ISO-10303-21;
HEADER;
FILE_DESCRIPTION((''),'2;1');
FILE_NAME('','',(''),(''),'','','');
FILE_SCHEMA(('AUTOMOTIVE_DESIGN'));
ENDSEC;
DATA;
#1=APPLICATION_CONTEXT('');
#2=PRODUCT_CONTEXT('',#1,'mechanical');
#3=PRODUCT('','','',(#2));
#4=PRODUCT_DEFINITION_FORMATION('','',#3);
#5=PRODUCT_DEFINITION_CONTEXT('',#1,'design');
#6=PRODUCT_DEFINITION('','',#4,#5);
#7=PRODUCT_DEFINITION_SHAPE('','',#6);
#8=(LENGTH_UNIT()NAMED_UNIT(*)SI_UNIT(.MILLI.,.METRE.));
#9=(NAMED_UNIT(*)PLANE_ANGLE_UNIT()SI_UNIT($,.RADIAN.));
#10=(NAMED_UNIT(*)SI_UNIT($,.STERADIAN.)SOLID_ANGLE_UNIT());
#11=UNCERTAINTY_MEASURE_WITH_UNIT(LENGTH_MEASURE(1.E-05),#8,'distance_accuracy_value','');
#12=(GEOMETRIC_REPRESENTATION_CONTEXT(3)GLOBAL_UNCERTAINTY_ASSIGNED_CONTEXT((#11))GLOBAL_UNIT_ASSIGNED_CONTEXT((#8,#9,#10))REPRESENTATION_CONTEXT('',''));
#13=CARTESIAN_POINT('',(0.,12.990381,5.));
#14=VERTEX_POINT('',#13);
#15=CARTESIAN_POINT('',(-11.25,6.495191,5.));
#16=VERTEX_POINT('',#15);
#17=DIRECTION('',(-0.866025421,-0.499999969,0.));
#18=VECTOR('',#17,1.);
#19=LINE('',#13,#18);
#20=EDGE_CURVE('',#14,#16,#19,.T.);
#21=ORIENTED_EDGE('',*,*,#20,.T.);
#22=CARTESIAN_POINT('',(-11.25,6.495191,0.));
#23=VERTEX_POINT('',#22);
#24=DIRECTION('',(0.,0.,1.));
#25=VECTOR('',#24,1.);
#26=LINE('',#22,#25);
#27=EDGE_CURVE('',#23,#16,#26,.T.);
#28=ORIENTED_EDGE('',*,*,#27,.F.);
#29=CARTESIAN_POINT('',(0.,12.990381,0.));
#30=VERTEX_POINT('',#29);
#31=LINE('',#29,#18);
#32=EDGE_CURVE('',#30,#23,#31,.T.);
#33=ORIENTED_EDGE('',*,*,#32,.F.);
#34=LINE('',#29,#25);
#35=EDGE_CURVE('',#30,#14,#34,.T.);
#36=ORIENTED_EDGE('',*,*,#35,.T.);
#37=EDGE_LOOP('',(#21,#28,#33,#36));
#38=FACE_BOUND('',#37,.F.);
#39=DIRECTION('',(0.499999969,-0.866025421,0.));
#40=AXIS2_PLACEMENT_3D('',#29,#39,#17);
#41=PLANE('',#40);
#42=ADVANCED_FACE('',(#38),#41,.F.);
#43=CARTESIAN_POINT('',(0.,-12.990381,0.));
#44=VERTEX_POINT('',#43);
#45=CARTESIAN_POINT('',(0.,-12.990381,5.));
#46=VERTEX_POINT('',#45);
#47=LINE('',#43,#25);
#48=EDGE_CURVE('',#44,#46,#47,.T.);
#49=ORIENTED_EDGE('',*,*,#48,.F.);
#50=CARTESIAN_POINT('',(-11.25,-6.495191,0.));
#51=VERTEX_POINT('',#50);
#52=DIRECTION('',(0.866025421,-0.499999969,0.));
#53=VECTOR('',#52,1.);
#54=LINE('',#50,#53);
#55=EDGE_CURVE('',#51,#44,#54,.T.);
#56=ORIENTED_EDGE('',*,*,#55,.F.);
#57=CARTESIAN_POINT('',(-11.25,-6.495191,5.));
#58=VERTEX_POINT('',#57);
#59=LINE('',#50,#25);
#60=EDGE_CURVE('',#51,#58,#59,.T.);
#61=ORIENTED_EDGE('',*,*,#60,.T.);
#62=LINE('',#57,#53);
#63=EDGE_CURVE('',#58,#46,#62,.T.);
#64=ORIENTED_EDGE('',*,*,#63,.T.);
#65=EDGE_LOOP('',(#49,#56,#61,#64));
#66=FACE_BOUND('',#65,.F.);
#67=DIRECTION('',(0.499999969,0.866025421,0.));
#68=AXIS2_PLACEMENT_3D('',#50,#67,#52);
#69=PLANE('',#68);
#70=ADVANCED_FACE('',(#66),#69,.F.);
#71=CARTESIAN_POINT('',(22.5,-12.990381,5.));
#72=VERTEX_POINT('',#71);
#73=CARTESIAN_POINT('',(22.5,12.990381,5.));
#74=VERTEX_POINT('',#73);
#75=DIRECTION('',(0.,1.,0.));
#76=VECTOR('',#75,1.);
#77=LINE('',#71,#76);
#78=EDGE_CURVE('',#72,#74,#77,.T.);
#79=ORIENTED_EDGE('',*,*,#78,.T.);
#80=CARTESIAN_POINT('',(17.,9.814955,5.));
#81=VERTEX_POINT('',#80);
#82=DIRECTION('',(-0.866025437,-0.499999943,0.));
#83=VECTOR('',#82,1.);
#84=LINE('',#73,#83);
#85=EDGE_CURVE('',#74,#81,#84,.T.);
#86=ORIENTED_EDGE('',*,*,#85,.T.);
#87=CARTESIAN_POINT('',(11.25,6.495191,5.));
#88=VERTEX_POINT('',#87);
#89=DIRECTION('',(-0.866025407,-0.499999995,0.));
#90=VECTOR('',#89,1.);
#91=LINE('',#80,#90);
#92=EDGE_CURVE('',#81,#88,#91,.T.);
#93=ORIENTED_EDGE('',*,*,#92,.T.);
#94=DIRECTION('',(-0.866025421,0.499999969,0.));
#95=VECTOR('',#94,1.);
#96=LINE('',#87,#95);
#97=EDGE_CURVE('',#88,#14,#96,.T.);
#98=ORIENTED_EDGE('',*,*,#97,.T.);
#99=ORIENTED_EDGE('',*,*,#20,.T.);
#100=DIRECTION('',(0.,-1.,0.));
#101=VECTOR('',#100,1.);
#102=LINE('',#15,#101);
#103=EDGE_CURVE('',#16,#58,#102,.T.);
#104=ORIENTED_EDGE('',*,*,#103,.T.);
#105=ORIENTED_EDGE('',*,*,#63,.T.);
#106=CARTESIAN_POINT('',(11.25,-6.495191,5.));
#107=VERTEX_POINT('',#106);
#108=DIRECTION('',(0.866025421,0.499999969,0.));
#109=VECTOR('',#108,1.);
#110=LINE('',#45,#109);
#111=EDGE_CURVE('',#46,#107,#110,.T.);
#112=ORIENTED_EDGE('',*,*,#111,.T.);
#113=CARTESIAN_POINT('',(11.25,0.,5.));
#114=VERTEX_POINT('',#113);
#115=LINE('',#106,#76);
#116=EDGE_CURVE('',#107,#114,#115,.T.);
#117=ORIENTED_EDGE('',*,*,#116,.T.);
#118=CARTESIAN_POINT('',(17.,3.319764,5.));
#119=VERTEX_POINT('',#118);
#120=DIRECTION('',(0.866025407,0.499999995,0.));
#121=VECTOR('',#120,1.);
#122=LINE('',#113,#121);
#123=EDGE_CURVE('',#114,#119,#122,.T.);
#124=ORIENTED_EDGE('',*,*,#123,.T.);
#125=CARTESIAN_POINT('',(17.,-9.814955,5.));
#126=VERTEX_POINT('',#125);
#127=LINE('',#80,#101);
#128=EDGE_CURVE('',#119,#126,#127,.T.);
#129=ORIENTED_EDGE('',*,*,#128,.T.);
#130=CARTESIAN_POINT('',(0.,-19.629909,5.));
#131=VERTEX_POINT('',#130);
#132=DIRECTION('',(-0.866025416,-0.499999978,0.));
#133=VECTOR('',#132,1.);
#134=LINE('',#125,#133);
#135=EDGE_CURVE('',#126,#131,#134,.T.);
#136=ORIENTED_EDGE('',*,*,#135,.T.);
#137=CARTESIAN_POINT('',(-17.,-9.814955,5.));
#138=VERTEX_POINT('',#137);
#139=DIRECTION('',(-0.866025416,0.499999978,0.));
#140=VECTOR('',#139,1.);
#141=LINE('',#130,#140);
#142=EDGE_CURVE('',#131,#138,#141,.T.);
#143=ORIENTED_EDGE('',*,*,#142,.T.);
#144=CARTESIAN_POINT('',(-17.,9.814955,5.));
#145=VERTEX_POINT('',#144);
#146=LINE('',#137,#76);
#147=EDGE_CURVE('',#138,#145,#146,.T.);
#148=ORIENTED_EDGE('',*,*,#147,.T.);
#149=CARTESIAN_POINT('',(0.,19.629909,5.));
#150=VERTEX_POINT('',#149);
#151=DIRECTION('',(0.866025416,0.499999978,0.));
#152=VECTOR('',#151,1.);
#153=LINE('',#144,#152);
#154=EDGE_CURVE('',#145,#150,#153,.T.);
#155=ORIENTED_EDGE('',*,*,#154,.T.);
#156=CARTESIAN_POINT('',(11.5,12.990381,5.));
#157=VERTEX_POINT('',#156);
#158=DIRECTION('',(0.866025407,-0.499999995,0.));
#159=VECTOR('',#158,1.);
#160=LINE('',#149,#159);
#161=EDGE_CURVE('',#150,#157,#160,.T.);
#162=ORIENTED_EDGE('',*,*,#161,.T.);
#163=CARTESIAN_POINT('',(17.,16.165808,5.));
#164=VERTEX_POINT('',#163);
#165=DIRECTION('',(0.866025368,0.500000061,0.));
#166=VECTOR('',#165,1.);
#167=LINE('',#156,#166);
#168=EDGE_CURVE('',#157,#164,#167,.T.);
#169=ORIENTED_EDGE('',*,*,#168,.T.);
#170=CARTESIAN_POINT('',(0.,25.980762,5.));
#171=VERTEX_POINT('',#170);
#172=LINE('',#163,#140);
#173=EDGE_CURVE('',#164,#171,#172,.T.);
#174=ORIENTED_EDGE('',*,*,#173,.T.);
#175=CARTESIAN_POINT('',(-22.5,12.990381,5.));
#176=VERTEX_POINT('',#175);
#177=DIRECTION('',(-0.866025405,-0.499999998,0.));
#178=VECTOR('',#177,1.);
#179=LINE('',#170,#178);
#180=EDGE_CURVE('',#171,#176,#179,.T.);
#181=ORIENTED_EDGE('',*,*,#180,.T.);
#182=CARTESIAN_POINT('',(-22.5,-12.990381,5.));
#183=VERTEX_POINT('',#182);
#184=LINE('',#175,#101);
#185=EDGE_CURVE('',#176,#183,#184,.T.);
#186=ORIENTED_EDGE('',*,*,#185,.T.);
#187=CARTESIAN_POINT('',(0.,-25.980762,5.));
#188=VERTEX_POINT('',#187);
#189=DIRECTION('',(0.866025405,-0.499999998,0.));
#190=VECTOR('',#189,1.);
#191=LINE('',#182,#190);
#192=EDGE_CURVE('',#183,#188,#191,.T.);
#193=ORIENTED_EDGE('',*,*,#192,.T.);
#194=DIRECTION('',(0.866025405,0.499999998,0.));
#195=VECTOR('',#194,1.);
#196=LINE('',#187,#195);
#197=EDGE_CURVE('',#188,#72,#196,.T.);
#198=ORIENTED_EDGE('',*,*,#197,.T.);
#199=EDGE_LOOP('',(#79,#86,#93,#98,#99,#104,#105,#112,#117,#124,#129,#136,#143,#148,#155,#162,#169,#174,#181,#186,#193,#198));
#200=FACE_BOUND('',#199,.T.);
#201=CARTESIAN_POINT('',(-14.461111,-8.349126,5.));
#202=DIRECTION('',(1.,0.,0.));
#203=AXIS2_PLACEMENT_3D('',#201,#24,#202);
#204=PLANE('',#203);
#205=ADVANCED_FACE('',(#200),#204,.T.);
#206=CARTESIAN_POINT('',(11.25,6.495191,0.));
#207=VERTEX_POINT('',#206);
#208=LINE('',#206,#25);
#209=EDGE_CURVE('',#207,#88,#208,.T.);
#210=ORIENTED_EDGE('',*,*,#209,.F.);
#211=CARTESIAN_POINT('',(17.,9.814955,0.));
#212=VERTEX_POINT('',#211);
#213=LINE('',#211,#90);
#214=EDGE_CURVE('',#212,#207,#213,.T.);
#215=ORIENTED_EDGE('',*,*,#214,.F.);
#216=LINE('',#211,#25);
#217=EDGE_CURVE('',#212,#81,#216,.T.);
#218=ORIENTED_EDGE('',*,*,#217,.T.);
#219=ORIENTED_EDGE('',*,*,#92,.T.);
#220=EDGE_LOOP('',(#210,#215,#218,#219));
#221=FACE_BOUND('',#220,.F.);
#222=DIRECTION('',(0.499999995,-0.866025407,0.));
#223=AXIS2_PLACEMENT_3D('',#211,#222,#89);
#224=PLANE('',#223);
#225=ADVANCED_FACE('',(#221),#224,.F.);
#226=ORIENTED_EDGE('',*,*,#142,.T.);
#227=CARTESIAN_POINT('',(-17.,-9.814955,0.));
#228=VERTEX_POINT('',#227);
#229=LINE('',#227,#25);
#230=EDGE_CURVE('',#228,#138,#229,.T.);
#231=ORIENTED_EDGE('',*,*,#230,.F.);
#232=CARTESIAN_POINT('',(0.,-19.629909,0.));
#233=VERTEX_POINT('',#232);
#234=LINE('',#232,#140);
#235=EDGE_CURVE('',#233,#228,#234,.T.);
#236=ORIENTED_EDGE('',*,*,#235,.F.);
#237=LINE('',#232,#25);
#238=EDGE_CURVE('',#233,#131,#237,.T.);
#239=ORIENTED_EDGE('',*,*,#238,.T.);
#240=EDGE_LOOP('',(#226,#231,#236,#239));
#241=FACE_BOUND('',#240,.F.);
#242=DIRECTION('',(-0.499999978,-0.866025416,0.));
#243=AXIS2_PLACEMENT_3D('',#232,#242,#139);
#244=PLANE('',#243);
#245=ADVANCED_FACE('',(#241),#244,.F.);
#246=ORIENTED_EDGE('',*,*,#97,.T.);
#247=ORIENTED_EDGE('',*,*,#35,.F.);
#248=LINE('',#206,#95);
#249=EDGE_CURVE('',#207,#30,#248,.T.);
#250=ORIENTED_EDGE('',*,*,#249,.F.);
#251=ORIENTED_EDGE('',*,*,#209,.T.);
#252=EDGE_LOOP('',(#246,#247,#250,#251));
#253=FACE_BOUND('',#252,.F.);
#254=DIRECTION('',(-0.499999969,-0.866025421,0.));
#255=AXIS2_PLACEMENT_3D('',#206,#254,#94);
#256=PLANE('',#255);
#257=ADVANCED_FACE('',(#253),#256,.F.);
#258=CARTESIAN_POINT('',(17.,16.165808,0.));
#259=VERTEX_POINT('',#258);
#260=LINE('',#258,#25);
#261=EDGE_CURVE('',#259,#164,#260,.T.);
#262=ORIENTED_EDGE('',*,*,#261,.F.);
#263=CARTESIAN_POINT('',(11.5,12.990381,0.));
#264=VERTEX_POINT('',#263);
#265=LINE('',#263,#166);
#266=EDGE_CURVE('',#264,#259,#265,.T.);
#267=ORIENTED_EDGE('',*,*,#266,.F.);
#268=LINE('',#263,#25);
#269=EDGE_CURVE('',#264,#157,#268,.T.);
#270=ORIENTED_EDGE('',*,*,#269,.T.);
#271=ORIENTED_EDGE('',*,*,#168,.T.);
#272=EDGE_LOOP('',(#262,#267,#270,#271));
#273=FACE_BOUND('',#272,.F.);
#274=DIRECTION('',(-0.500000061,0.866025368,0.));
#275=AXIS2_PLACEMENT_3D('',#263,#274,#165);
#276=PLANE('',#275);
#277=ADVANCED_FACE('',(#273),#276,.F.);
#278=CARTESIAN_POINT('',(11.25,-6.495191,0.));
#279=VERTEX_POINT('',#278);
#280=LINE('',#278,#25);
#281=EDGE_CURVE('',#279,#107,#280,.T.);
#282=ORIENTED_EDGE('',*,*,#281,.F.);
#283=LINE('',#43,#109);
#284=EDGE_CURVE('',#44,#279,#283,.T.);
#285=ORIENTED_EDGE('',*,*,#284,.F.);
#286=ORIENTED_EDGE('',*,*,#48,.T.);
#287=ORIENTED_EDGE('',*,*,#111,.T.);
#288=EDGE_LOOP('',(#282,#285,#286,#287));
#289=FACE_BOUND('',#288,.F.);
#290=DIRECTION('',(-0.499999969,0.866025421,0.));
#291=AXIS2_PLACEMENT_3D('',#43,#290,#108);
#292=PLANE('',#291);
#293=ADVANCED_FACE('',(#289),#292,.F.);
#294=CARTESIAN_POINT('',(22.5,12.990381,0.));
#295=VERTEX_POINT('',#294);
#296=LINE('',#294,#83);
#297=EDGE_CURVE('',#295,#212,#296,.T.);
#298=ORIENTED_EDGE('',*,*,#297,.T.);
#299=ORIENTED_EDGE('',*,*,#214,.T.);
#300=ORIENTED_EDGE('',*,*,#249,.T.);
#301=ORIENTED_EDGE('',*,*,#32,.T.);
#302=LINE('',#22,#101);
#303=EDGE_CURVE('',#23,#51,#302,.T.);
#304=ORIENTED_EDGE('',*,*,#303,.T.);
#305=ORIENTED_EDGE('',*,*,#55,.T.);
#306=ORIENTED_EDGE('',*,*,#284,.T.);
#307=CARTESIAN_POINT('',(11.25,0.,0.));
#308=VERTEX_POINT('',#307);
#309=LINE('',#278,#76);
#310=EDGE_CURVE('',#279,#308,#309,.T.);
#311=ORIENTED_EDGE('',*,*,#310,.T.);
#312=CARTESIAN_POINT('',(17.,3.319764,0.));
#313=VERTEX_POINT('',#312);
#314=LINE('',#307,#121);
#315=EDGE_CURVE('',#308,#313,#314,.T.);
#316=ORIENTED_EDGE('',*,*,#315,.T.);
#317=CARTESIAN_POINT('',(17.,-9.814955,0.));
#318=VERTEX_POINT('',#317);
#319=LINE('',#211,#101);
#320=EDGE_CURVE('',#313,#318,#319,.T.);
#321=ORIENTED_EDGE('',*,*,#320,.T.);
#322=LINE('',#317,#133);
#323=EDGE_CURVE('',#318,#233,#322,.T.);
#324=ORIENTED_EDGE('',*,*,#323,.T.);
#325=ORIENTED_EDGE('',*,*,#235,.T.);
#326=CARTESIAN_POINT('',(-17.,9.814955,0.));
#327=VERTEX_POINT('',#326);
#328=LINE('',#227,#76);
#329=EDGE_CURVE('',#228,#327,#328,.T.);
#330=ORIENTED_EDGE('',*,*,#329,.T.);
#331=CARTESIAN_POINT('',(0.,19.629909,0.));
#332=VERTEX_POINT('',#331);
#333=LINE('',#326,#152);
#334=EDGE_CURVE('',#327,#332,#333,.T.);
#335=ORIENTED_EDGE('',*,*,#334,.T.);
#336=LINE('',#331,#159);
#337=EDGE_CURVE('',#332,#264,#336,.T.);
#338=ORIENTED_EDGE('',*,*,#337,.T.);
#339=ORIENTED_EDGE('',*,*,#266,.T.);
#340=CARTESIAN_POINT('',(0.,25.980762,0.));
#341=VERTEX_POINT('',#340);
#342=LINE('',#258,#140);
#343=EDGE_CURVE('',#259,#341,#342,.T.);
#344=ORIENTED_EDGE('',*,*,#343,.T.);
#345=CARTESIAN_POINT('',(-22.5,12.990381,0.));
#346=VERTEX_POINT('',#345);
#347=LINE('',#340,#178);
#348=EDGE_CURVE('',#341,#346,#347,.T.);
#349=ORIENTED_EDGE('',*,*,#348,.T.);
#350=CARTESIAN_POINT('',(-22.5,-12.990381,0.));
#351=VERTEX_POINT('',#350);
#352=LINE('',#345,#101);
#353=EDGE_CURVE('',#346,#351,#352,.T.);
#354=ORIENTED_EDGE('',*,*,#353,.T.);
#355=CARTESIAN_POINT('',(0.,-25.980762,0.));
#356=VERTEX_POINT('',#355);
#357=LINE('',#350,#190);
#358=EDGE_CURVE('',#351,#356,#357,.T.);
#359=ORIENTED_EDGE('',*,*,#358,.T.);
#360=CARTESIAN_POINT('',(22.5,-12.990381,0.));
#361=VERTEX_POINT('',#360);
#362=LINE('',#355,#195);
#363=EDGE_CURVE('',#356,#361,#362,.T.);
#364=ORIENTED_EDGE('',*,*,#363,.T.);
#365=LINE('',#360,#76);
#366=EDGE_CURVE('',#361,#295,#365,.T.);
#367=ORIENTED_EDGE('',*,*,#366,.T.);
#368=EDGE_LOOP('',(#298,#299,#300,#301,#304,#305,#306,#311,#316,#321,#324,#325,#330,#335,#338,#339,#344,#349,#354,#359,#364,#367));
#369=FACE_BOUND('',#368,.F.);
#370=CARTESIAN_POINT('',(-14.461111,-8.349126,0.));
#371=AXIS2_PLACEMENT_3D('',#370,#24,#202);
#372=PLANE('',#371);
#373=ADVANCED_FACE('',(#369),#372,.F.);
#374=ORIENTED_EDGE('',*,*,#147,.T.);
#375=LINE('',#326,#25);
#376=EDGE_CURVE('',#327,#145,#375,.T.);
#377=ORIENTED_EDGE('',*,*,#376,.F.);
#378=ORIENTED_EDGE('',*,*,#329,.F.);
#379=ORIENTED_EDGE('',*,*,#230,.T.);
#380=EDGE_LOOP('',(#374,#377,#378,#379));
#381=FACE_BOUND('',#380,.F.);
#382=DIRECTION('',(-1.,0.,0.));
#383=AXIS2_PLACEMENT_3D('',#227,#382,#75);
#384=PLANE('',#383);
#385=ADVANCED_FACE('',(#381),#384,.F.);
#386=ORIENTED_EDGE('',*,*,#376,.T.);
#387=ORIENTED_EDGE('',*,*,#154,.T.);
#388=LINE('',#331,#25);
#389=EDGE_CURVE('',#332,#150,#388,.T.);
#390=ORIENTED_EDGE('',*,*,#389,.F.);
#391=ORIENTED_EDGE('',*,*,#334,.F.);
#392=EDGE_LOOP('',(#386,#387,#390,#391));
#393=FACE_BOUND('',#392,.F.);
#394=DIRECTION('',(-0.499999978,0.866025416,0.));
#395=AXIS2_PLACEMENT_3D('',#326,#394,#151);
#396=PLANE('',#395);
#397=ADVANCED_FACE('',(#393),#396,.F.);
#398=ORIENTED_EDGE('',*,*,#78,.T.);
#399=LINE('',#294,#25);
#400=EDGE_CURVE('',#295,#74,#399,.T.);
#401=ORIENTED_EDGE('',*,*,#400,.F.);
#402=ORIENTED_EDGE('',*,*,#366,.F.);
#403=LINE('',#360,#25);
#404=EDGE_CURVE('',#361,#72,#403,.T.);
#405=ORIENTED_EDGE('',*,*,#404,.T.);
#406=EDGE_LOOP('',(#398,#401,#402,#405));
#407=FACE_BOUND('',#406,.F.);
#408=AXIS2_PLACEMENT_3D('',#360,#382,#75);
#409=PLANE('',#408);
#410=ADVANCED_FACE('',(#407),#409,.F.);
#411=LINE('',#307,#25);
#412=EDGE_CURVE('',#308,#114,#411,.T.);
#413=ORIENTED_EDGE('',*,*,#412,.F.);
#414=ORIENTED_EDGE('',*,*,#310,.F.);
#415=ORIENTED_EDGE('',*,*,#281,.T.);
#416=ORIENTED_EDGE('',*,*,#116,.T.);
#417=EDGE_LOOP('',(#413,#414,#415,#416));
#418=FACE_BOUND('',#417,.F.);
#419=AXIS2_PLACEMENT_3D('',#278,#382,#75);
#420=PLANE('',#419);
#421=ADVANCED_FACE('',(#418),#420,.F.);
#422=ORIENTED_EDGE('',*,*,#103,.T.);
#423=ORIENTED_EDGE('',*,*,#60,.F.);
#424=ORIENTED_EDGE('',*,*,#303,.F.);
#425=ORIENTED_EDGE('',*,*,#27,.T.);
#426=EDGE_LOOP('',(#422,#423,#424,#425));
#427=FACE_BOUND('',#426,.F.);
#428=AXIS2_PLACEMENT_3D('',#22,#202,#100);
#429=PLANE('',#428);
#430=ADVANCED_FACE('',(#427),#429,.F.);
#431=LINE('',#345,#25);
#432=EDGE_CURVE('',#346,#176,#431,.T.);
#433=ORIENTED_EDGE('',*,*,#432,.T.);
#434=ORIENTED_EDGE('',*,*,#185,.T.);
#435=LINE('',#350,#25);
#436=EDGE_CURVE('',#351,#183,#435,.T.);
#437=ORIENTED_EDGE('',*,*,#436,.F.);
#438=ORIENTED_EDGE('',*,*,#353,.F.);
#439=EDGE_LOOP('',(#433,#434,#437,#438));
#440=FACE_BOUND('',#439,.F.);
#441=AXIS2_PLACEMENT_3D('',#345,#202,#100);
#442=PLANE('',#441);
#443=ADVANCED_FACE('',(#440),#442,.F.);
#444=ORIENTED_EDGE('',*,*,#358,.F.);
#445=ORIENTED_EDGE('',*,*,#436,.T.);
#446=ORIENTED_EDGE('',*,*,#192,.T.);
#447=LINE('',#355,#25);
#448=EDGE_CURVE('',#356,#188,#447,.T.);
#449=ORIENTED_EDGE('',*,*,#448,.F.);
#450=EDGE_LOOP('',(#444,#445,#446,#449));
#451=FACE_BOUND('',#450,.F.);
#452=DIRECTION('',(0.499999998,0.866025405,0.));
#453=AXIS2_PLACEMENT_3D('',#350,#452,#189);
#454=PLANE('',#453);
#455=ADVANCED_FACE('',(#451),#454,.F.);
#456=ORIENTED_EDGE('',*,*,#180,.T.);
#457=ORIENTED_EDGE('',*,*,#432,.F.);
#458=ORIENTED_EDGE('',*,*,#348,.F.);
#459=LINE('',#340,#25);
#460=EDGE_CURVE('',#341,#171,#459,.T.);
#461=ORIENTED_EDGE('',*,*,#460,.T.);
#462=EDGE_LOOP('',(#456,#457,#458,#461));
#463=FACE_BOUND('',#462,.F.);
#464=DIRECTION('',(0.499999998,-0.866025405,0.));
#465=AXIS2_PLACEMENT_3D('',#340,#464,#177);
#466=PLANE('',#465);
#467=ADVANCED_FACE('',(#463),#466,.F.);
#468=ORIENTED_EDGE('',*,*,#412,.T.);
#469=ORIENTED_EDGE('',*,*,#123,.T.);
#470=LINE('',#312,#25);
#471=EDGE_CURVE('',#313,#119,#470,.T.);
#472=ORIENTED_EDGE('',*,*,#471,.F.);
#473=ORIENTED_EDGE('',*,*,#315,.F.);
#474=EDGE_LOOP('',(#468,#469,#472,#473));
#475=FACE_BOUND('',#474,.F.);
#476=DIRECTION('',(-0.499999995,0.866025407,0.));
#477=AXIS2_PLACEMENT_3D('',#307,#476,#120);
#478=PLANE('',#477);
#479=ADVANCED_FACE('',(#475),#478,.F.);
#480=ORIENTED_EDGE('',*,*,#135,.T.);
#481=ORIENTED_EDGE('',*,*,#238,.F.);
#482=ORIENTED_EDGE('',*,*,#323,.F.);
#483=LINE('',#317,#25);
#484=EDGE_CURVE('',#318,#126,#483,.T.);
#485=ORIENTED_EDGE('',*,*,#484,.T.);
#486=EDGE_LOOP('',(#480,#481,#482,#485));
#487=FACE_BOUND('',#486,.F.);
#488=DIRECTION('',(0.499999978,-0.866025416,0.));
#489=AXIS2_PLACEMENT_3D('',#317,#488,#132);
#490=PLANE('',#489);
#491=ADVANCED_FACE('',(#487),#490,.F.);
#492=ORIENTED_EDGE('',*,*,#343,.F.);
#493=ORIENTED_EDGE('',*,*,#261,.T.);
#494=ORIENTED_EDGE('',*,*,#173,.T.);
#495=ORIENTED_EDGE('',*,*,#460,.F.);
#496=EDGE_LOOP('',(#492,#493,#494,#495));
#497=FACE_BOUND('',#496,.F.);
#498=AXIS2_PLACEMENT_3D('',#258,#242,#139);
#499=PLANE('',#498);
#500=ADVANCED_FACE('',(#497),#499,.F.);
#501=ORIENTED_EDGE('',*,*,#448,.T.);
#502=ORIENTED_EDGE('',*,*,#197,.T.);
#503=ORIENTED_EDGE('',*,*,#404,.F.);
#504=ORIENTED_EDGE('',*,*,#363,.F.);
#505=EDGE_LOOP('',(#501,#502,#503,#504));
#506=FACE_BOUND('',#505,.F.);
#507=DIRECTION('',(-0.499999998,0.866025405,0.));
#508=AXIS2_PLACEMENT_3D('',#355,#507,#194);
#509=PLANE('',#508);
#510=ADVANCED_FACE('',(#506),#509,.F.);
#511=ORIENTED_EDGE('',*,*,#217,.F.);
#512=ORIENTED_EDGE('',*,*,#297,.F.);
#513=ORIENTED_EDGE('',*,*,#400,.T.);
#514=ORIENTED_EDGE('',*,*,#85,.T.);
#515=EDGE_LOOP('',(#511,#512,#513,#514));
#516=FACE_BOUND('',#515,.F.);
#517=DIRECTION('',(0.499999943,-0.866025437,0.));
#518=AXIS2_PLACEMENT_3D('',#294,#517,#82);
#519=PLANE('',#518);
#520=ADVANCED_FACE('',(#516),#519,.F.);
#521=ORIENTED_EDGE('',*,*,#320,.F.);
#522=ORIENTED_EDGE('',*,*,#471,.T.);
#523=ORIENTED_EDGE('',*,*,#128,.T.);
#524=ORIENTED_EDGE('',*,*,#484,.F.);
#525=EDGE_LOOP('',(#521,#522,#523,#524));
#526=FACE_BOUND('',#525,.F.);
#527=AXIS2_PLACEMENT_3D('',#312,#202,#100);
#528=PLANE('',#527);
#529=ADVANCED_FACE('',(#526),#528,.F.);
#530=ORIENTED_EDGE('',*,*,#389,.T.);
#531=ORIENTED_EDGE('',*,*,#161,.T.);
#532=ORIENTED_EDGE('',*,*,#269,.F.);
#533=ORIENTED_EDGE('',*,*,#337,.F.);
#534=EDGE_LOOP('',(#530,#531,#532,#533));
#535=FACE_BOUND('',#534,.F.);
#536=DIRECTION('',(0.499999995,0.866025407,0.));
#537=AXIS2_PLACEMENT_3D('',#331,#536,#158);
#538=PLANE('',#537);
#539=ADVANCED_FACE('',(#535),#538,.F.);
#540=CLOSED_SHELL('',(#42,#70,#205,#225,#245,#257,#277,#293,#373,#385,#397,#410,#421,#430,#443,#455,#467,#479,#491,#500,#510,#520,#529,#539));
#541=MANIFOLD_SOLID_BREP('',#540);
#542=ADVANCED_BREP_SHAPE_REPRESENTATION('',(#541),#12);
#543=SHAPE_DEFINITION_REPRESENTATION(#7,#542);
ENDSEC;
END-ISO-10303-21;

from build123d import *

# Parameters (mm, degrees)
F1_DEPTH = 5


with BuildPart() as f1:
    # F0 (on Top) → F1 (new body)
    with BuildSketch(Plane.XY):
        Polygon((-22.5, -12.990381), (0, -25.980762), (0, -19.629909), (-17, -9.814955), (-17, 9.814955), (-22.5, 12.990381), align=None)
        Polygon((11.5, 12.990381), (17, 16.165808), (0, 25.980762), (-22.5, 12.990381), (-17, 9.814955), (0, 19.629909), align=None)
        Polygon((22.5, -12.990381), (22.5, 12.990381), (17, 9.814955), (17, 3.319764), (17, -9.814955), (0, -19.629909), (0, -25.980762), align=None)
        Polygon((0, 0), (11.25, 6.495191), (0, 12.990381), (-11.25, 6.495191), align=None)
        Polygon((0, -12.990381), (0, 0), (-11.25, 6.495191), (-11.25, -6.495191), align=None)
        Polygon((11.25, 0), (11.25, 6.495191), (0, 0), (0, -12.990381), (11.25, -6.495191), align=None)
        Polygon((17, 3.319764), (17, 9.814955), (11.25, 6.495191), (11.25, 0), align=None)
    extrude(amount=F1_DEPTH)


solid = f1.part
